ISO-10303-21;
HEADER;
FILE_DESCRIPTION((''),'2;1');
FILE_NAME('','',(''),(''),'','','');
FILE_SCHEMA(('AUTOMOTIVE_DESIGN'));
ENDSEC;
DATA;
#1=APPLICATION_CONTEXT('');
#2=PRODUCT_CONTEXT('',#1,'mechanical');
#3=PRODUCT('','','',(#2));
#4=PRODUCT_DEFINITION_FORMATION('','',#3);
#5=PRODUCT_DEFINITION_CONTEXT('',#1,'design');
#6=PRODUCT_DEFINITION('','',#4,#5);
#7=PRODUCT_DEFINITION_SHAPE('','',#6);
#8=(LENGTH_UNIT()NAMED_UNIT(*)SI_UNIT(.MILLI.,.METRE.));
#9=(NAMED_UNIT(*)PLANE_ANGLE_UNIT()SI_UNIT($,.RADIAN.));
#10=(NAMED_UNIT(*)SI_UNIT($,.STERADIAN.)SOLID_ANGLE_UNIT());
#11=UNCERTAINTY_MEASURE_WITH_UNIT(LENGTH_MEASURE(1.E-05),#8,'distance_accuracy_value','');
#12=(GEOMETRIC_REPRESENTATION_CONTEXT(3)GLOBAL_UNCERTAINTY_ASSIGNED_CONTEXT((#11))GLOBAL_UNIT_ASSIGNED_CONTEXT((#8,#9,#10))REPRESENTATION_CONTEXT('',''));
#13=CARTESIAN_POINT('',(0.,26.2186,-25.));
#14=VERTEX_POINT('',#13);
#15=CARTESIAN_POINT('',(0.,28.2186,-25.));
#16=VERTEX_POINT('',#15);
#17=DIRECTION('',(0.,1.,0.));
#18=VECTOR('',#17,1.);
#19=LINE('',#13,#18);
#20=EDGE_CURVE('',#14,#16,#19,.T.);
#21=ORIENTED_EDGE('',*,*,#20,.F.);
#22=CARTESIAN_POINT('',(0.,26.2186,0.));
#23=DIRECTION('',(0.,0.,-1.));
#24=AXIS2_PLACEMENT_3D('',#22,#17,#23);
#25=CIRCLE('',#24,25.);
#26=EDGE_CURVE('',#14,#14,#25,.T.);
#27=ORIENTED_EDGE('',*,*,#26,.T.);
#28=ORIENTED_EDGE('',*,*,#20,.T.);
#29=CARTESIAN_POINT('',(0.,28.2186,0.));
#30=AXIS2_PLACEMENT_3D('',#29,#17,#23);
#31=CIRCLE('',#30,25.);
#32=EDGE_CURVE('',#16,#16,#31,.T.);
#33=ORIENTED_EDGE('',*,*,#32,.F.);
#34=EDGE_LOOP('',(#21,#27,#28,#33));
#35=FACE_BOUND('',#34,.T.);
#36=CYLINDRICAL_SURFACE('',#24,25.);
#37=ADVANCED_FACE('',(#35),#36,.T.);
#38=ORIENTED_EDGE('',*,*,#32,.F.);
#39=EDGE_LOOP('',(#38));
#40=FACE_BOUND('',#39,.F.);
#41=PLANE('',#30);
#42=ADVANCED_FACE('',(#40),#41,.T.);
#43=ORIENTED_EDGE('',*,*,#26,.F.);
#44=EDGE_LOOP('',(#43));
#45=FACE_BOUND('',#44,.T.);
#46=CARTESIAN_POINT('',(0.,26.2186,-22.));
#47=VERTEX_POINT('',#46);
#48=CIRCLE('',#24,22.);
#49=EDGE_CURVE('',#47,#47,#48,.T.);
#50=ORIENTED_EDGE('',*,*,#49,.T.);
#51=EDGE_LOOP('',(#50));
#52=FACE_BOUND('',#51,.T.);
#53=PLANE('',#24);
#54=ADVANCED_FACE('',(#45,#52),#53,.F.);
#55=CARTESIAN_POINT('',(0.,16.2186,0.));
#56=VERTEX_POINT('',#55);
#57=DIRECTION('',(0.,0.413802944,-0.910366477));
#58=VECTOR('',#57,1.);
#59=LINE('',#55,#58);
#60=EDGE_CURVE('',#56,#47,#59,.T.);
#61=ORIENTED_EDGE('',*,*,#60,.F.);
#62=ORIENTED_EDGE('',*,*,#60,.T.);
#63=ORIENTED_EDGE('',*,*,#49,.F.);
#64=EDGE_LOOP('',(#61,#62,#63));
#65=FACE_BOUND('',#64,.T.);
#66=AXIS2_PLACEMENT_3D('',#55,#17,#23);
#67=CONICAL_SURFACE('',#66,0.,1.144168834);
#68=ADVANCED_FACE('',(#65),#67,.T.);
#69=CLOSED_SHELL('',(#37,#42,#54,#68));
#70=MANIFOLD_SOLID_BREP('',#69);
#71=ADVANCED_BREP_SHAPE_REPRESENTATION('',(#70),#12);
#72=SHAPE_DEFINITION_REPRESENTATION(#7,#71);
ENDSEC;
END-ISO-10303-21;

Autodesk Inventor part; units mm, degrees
ref_plane "YZ Plane" through (0, 0, 0) normal (1, 0, 0) x (0, 1, 0)
ref_plane "XZ Plane" through (0, 0, 0) normal (0, 1, 0) x (-1, 0, 0)
ref_plane "XY Plane" through (0, 0, 0) normal (0, 0, 1) x (1, 0, 0)
sketch "Эскиз1" plane through (0, 0, 0) normal (1, 0, 0) x (0, 1, 0)
  line L0 (0, 0) -> (82.3862, 0) construction
  line L1 (0, -22) -> (131.5712, -22)
  line L2 (0, 22) -> (131.5712, 22)
  line L3 (26.2186, 22) -> (26.2186, -22)
  line L4 (16.2186, 0) -> (26.2186, -22)
  line L5 (16.2186, 0) -> (26.2186, 22)
  line L6 (8.9501, -29.8493) -> (26.2186, -22)
  line L7 (26.2186, -22) -> (16.9413, -499.9139) construction
  line L8 (0, 0) -> (26.2186, -22) construction
  line L9 (0, 22) -> (0, -22) construction
  line L10 (0, 0) -> (26.2186, 22) construction
  line L11 (21.2186, -11) -> (3.6083, -19.0047) construction
  line L12 (0, 0) -> (21.2186, -11) construction
  line L13 (21.2186, -11) -> (-94.4642, -485.2171) construction
  line L14 (-6.7158, 12.3332) -> (16.9375, 1.5817) construction
  line L15 (0, 0) -> (16.9375, 1.5817) construction
  line L16 (-271.4302, 401.7527) -> (16.9375, 1.5817) construction
  circle A0 centre (26.2186, 0) radius 500 construction
  line L17 (-110, 105) -> (-60, 105) construction
  line L18 (-60, 105) -> (-60, -105) construction
  line L19 (-60, -105) -> (-110, -105) construction
  line L20 (-110, -105) -> (-110, 105) construction
  line L21 (-20, 47) -> (-60, 47) construction
  line L22 (-60, 47) -> (-60, -47) construction
  line L23 (-60, -47) -> (-20, -47) construction
  line L24 (-20, -47) -> (-20, 47) construction
  line L25 (16.2186, 0) -> (26.2186, 0)
  line L26 (26.2186, 22) -> (26.2186, 25)
  line L27 (26.2186, 25) -> (28.2186, 25)
  line L28 (26.2186, -22) -> (26.2186, -25)
  line L29 (26.2186, -25) -> (28.2186, -25)
  line L30 (28.2186, 25) -> (28.2186, -25)
  line L31 (26.2186, 0) -> (28.2186, 0)
  dimension "d1" = 178.888
  dimension "d2" = 80
  dimension "d3" = 26.2186
  dimension "d4" = 10
  dimension "d5" = 131.112
  dimension "d6" = 1000
  dimension "d7" = 44
  dimension "d8" = 50
  dimension "d9" = 210
  dimension "d10" = 40
  dimension "d11" = 94
  dimension "d13" = 20
  dimension "d14" = 136.2186
  dimension "d15" = 3
  dimension "d16" = 2
  dimension "d17" = 3
  dimension "d18" = 2
revolve "Вращение1" add sketch "Эскиз1" angle 360 about axis through (0, 0, 0) along (0, 1, 0) contours L3 L31 L30 L1 | L4 L25 L3 | L1 L30 L29 L28
properties part number "mirror001" material "Алюминий 6061-AHC"
